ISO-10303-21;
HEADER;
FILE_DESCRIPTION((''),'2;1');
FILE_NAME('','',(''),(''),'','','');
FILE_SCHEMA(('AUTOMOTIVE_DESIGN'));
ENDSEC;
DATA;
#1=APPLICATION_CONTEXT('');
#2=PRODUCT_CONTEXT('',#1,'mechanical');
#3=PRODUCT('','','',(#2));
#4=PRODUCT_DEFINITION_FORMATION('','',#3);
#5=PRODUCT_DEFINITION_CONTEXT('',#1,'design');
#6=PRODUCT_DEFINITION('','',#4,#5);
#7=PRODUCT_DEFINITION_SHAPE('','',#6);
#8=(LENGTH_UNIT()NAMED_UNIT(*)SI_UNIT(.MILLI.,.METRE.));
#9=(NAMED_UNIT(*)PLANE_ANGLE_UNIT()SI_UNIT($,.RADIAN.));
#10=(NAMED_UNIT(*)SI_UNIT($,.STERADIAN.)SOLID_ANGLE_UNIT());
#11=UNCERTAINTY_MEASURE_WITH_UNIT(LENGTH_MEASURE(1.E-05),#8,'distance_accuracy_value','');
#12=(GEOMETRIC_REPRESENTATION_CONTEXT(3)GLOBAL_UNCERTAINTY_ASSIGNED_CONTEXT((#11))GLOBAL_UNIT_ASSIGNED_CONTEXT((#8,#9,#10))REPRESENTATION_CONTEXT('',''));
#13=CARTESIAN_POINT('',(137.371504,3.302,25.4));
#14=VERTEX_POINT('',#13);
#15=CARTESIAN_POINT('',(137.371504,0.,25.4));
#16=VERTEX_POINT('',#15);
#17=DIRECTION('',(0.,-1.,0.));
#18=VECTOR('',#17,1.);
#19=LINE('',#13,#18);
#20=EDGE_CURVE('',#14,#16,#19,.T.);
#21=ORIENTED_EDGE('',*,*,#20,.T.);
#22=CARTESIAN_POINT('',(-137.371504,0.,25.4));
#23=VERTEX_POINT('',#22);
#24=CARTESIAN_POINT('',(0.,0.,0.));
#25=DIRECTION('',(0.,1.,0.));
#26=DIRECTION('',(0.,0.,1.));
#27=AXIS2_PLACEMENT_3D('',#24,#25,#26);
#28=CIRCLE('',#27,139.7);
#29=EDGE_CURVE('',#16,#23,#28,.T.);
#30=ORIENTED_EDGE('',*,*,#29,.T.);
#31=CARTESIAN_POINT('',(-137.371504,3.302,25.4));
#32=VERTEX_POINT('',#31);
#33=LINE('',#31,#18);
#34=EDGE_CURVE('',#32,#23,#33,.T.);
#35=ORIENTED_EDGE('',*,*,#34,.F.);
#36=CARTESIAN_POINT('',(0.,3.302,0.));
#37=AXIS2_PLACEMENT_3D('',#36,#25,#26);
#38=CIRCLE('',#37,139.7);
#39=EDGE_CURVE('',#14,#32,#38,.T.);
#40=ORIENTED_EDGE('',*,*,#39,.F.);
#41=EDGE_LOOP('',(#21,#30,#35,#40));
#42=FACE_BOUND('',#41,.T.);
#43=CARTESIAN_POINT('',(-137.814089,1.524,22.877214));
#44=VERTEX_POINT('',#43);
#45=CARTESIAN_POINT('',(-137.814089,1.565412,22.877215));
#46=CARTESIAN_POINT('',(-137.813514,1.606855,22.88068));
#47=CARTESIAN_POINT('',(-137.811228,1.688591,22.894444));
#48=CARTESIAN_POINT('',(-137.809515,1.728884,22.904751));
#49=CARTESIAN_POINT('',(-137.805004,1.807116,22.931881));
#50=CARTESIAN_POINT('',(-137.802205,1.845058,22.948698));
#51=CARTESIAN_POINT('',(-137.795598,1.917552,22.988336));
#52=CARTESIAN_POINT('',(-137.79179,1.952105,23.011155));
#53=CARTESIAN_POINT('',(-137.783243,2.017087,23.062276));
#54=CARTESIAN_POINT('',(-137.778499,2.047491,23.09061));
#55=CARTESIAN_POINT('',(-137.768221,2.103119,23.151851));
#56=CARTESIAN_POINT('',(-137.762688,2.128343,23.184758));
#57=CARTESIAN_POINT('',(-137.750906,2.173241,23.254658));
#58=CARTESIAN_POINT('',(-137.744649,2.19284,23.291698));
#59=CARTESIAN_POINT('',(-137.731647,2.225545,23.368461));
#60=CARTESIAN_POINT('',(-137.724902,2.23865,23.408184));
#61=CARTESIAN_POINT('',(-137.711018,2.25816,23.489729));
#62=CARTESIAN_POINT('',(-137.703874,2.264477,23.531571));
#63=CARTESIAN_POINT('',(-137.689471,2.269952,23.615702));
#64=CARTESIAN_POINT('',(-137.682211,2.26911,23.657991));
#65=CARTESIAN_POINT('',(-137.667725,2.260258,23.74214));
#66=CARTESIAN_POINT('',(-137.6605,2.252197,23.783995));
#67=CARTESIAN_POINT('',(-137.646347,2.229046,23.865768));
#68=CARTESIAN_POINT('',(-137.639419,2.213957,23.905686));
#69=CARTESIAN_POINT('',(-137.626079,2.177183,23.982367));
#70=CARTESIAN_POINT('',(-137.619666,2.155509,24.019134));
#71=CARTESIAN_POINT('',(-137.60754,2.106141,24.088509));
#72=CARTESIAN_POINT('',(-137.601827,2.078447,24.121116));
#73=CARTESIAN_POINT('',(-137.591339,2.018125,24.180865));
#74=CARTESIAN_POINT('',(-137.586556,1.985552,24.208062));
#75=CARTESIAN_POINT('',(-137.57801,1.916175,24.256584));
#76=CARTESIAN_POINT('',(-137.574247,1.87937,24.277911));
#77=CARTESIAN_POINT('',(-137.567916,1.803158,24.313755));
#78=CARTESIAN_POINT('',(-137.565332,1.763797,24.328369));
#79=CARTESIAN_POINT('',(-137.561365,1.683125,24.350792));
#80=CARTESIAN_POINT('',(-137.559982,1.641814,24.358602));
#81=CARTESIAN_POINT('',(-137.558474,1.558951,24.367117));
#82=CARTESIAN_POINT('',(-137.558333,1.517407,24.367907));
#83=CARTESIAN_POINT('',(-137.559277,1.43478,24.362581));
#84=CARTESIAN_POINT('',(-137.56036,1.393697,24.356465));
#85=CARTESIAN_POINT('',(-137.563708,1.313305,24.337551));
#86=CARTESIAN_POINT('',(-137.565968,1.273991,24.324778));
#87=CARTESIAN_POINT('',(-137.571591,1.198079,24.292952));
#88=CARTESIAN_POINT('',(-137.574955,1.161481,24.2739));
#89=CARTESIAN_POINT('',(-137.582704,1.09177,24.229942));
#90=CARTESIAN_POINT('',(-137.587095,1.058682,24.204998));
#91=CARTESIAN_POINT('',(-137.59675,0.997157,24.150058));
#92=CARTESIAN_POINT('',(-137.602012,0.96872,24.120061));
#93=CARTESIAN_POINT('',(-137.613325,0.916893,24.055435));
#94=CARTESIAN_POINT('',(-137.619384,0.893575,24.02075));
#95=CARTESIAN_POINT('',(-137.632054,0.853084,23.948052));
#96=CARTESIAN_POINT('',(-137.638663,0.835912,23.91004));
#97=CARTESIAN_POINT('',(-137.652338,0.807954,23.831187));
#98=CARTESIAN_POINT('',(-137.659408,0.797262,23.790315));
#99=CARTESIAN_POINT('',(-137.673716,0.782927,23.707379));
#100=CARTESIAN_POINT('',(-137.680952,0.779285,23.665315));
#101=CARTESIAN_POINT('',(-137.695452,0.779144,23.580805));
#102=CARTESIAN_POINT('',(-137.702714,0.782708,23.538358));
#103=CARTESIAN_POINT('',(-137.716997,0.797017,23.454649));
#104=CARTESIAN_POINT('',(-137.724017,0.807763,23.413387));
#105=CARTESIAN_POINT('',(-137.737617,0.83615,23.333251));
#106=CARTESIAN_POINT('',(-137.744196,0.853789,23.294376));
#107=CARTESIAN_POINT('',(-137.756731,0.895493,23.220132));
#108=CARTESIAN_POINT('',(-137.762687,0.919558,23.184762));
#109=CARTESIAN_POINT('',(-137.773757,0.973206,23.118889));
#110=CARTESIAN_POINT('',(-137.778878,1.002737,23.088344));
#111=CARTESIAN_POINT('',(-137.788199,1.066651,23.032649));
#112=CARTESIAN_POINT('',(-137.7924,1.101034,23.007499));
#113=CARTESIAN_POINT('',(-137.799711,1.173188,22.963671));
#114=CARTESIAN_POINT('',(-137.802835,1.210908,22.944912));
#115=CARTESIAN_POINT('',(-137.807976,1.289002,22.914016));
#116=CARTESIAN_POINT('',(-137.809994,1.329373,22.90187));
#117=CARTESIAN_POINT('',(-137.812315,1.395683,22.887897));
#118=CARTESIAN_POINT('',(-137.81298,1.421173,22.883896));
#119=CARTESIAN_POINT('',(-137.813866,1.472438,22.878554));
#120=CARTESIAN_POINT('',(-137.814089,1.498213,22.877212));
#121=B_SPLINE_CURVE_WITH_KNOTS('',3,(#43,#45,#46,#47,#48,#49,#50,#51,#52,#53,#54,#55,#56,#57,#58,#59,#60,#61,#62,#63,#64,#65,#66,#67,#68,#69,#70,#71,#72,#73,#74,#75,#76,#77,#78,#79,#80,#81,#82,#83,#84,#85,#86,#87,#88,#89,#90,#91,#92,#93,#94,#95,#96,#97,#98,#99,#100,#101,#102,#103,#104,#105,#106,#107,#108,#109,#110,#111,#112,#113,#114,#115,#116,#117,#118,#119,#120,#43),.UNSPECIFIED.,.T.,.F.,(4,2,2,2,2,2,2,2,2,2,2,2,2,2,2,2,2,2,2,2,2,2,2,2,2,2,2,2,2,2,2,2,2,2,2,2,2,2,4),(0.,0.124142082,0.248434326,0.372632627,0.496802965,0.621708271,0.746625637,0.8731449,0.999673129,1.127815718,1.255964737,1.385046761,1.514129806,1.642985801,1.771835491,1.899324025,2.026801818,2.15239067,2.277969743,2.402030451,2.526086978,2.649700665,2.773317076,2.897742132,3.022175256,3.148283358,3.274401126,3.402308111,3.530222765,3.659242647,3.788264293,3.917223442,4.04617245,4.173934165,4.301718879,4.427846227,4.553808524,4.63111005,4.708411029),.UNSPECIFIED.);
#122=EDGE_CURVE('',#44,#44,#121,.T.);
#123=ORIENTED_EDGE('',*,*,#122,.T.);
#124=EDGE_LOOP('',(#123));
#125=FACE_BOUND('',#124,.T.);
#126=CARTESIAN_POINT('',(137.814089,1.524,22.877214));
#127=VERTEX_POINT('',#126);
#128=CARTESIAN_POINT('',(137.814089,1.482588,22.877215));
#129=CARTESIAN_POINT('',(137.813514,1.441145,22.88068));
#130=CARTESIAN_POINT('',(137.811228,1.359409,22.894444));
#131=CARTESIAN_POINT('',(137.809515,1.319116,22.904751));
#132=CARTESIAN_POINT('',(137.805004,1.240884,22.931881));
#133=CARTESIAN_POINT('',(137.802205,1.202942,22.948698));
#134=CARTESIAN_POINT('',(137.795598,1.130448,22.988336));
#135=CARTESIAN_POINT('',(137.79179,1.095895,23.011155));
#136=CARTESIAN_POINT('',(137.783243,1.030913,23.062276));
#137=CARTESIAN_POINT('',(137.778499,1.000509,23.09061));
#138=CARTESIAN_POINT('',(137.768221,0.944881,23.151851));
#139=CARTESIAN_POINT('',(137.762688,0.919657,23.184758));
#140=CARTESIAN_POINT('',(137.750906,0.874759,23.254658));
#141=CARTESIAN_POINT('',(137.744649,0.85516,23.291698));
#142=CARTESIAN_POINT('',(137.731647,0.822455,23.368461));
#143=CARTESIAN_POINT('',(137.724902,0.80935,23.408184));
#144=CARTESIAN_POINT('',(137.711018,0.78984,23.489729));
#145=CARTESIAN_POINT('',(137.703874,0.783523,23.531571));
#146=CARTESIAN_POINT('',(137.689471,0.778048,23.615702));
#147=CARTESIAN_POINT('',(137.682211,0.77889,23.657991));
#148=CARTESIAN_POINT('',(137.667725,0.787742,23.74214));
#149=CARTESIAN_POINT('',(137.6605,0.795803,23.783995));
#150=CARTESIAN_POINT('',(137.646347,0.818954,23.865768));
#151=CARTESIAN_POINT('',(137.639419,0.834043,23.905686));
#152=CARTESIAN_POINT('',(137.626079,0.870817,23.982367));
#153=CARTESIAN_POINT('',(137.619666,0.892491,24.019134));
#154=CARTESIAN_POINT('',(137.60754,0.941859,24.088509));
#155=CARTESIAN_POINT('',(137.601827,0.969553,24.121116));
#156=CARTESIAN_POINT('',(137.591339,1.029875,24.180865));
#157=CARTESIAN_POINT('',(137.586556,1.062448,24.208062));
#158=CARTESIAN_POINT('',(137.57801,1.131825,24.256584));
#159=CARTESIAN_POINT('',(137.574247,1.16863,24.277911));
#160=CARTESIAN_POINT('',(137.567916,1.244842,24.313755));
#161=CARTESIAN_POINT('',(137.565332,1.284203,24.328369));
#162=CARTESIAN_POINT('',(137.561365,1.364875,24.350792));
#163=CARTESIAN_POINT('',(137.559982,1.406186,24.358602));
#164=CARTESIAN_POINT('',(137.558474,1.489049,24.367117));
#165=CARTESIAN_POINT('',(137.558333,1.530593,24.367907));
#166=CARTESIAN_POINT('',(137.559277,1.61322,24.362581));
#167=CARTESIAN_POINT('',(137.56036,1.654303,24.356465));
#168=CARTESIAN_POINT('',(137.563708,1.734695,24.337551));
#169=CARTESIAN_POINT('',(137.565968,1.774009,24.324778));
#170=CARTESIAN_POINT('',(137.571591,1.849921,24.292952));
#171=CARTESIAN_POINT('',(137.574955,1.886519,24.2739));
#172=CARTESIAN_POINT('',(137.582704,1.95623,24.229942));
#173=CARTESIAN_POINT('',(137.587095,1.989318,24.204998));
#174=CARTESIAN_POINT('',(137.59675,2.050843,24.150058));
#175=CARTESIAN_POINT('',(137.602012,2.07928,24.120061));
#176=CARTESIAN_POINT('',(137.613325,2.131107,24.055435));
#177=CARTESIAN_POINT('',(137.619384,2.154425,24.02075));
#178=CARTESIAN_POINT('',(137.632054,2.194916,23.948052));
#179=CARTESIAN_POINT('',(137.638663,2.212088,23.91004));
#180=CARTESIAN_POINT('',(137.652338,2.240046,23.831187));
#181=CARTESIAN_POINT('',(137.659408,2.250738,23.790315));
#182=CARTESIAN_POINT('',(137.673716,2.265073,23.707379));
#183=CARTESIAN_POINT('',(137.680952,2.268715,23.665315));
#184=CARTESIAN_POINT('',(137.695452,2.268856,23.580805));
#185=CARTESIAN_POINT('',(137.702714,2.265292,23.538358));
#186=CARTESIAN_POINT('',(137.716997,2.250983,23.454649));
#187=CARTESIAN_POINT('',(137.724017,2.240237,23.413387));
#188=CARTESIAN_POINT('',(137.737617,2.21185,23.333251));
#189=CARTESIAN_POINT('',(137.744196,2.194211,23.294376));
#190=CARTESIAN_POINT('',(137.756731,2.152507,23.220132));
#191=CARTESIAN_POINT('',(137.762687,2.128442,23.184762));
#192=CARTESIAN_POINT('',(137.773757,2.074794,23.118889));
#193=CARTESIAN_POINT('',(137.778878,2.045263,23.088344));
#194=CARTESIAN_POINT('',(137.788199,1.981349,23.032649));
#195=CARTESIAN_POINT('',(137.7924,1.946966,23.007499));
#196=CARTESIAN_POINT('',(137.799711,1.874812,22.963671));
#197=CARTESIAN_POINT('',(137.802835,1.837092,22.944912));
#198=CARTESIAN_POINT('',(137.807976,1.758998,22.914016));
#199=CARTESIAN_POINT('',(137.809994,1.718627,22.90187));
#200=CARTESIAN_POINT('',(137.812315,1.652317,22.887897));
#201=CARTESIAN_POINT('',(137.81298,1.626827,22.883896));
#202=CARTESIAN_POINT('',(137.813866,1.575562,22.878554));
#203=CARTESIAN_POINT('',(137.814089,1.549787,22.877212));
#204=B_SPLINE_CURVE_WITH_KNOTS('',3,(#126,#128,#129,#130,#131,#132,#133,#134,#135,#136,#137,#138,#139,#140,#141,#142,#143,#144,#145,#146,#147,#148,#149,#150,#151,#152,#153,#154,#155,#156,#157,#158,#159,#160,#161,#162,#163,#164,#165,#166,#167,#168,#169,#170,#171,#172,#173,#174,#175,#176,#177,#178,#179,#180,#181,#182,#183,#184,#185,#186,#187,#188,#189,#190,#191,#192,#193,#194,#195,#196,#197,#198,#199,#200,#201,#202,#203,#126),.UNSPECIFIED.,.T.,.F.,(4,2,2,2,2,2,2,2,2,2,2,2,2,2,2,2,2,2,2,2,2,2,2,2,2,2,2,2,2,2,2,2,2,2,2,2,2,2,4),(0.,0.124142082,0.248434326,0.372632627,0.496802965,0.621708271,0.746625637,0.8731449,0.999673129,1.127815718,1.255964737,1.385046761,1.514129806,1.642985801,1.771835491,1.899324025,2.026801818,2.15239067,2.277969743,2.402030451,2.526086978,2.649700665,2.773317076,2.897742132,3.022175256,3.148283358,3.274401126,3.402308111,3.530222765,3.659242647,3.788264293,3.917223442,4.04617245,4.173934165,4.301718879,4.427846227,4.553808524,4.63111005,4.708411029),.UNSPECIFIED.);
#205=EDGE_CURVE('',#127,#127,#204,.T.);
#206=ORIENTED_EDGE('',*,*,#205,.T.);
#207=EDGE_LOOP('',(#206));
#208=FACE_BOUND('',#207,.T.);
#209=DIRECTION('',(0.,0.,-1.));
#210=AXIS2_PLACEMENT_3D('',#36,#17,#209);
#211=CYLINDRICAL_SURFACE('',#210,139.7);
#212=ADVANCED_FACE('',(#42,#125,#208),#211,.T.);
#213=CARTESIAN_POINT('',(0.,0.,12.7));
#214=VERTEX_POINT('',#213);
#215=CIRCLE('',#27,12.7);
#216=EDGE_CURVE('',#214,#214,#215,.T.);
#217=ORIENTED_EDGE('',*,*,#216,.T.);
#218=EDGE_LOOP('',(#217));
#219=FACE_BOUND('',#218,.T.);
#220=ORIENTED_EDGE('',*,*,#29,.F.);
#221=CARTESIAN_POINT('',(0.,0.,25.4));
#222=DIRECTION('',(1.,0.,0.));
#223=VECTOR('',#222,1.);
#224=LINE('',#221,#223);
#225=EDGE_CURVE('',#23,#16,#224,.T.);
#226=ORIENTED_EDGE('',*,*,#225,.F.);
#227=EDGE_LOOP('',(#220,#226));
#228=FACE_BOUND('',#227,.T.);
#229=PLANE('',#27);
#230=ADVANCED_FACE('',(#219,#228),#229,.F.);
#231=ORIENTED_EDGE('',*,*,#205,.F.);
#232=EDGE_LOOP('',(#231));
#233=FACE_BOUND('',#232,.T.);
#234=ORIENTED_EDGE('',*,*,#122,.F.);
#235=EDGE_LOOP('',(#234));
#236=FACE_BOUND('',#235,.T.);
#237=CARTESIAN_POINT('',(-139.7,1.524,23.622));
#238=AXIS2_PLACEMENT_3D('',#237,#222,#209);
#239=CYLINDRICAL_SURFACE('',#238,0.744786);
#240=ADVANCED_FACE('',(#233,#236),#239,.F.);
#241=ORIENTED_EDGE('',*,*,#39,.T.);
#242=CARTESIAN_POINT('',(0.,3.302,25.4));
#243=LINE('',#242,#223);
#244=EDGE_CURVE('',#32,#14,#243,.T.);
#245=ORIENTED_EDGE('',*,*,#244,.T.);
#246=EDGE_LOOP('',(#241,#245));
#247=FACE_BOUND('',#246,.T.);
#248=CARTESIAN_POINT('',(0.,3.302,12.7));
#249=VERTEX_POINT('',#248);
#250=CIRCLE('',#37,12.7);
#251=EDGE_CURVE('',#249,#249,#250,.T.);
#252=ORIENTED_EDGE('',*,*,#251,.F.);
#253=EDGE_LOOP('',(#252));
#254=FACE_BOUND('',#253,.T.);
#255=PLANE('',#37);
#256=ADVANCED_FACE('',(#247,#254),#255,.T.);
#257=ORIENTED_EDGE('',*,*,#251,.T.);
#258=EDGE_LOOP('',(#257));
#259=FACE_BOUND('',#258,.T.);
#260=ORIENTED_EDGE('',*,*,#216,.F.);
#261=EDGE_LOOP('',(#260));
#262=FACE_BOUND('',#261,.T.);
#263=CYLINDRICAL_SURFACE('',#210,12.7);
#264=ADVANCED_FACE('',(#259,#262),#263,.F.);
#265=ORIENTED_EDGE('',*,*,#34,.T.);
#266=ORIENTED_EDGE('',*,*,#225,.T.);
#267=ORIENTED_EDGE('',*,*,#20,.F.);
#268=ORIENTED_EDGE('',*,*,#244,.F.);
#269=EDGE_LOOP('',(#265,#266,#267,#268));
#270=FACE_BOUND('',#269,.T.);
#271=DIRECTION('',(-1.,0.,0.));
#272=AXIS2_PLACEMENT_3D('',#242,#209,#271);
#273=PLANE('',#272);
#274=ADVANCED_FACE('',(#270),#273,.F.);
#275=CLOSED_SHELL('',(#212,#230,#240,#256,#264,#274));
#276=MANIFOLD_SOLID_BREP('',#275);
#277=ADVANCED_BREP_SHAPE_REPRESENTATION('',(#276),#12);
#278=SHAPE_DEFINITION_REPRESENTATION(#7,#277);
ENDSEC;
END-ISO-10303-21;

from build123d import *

# Parameters (mm, degrees)
SKETCH1_R               = 12.7
BOSS_EXTRUDE2_DEPTH     = 3.302
SKETCH4_R               = 0.744786443
CUT_EXTRUDE4_DEPTH      = 140.7
CUT_EXTRUDE4_DEPTH_BACK = 140.7


with BuildPart() as part:
    # Sketch1 → Boss-Extrude2 (new body)
    with BuildSketch(Plane(origin=(0, 0, 0), x_dir=(1, 0, 0), z_dir=(0, 1, 0))):
        with BuildLine():
            ThreePointArc((139.7, 0), (-12.753253462, 139.116657975), (-137.371503595, -25.4))
            Line((-137.371503595, -25.4), (137.371503595, -25.4))
            ThreePointArc((137.371503595, -25.4), (139.116657975, -12.753253462), (139.7, 0))
        make_face()
        Circle(SKETCH1_R, mode=Mode.SUBTRACT)
    extrude(amount=BOSS_EXTRUDE2_DEPTH)

    # Sketch4 → Cut-Extrude4 (cut, two sides)
    with BuildSketch(Plane(origin=(0, 0, 0), x_dir=(0, 0, -1), z_dir=(1, 0, 0))) as cut_extrude4_sk:
        with Locations((-23.622, 1.524)):
            Circle(SKETCH4_R)
    extrude(amount=CUT_EXTRUDE4_DEPTH, mode=Mode.SUBTRACT)
    extrude(cut_extrude4_sk.sketch, amount=-CUT_EXTRUDE4_DEPTH_BACK, mode=Mode.SUBTRACT)


solid = part.part
